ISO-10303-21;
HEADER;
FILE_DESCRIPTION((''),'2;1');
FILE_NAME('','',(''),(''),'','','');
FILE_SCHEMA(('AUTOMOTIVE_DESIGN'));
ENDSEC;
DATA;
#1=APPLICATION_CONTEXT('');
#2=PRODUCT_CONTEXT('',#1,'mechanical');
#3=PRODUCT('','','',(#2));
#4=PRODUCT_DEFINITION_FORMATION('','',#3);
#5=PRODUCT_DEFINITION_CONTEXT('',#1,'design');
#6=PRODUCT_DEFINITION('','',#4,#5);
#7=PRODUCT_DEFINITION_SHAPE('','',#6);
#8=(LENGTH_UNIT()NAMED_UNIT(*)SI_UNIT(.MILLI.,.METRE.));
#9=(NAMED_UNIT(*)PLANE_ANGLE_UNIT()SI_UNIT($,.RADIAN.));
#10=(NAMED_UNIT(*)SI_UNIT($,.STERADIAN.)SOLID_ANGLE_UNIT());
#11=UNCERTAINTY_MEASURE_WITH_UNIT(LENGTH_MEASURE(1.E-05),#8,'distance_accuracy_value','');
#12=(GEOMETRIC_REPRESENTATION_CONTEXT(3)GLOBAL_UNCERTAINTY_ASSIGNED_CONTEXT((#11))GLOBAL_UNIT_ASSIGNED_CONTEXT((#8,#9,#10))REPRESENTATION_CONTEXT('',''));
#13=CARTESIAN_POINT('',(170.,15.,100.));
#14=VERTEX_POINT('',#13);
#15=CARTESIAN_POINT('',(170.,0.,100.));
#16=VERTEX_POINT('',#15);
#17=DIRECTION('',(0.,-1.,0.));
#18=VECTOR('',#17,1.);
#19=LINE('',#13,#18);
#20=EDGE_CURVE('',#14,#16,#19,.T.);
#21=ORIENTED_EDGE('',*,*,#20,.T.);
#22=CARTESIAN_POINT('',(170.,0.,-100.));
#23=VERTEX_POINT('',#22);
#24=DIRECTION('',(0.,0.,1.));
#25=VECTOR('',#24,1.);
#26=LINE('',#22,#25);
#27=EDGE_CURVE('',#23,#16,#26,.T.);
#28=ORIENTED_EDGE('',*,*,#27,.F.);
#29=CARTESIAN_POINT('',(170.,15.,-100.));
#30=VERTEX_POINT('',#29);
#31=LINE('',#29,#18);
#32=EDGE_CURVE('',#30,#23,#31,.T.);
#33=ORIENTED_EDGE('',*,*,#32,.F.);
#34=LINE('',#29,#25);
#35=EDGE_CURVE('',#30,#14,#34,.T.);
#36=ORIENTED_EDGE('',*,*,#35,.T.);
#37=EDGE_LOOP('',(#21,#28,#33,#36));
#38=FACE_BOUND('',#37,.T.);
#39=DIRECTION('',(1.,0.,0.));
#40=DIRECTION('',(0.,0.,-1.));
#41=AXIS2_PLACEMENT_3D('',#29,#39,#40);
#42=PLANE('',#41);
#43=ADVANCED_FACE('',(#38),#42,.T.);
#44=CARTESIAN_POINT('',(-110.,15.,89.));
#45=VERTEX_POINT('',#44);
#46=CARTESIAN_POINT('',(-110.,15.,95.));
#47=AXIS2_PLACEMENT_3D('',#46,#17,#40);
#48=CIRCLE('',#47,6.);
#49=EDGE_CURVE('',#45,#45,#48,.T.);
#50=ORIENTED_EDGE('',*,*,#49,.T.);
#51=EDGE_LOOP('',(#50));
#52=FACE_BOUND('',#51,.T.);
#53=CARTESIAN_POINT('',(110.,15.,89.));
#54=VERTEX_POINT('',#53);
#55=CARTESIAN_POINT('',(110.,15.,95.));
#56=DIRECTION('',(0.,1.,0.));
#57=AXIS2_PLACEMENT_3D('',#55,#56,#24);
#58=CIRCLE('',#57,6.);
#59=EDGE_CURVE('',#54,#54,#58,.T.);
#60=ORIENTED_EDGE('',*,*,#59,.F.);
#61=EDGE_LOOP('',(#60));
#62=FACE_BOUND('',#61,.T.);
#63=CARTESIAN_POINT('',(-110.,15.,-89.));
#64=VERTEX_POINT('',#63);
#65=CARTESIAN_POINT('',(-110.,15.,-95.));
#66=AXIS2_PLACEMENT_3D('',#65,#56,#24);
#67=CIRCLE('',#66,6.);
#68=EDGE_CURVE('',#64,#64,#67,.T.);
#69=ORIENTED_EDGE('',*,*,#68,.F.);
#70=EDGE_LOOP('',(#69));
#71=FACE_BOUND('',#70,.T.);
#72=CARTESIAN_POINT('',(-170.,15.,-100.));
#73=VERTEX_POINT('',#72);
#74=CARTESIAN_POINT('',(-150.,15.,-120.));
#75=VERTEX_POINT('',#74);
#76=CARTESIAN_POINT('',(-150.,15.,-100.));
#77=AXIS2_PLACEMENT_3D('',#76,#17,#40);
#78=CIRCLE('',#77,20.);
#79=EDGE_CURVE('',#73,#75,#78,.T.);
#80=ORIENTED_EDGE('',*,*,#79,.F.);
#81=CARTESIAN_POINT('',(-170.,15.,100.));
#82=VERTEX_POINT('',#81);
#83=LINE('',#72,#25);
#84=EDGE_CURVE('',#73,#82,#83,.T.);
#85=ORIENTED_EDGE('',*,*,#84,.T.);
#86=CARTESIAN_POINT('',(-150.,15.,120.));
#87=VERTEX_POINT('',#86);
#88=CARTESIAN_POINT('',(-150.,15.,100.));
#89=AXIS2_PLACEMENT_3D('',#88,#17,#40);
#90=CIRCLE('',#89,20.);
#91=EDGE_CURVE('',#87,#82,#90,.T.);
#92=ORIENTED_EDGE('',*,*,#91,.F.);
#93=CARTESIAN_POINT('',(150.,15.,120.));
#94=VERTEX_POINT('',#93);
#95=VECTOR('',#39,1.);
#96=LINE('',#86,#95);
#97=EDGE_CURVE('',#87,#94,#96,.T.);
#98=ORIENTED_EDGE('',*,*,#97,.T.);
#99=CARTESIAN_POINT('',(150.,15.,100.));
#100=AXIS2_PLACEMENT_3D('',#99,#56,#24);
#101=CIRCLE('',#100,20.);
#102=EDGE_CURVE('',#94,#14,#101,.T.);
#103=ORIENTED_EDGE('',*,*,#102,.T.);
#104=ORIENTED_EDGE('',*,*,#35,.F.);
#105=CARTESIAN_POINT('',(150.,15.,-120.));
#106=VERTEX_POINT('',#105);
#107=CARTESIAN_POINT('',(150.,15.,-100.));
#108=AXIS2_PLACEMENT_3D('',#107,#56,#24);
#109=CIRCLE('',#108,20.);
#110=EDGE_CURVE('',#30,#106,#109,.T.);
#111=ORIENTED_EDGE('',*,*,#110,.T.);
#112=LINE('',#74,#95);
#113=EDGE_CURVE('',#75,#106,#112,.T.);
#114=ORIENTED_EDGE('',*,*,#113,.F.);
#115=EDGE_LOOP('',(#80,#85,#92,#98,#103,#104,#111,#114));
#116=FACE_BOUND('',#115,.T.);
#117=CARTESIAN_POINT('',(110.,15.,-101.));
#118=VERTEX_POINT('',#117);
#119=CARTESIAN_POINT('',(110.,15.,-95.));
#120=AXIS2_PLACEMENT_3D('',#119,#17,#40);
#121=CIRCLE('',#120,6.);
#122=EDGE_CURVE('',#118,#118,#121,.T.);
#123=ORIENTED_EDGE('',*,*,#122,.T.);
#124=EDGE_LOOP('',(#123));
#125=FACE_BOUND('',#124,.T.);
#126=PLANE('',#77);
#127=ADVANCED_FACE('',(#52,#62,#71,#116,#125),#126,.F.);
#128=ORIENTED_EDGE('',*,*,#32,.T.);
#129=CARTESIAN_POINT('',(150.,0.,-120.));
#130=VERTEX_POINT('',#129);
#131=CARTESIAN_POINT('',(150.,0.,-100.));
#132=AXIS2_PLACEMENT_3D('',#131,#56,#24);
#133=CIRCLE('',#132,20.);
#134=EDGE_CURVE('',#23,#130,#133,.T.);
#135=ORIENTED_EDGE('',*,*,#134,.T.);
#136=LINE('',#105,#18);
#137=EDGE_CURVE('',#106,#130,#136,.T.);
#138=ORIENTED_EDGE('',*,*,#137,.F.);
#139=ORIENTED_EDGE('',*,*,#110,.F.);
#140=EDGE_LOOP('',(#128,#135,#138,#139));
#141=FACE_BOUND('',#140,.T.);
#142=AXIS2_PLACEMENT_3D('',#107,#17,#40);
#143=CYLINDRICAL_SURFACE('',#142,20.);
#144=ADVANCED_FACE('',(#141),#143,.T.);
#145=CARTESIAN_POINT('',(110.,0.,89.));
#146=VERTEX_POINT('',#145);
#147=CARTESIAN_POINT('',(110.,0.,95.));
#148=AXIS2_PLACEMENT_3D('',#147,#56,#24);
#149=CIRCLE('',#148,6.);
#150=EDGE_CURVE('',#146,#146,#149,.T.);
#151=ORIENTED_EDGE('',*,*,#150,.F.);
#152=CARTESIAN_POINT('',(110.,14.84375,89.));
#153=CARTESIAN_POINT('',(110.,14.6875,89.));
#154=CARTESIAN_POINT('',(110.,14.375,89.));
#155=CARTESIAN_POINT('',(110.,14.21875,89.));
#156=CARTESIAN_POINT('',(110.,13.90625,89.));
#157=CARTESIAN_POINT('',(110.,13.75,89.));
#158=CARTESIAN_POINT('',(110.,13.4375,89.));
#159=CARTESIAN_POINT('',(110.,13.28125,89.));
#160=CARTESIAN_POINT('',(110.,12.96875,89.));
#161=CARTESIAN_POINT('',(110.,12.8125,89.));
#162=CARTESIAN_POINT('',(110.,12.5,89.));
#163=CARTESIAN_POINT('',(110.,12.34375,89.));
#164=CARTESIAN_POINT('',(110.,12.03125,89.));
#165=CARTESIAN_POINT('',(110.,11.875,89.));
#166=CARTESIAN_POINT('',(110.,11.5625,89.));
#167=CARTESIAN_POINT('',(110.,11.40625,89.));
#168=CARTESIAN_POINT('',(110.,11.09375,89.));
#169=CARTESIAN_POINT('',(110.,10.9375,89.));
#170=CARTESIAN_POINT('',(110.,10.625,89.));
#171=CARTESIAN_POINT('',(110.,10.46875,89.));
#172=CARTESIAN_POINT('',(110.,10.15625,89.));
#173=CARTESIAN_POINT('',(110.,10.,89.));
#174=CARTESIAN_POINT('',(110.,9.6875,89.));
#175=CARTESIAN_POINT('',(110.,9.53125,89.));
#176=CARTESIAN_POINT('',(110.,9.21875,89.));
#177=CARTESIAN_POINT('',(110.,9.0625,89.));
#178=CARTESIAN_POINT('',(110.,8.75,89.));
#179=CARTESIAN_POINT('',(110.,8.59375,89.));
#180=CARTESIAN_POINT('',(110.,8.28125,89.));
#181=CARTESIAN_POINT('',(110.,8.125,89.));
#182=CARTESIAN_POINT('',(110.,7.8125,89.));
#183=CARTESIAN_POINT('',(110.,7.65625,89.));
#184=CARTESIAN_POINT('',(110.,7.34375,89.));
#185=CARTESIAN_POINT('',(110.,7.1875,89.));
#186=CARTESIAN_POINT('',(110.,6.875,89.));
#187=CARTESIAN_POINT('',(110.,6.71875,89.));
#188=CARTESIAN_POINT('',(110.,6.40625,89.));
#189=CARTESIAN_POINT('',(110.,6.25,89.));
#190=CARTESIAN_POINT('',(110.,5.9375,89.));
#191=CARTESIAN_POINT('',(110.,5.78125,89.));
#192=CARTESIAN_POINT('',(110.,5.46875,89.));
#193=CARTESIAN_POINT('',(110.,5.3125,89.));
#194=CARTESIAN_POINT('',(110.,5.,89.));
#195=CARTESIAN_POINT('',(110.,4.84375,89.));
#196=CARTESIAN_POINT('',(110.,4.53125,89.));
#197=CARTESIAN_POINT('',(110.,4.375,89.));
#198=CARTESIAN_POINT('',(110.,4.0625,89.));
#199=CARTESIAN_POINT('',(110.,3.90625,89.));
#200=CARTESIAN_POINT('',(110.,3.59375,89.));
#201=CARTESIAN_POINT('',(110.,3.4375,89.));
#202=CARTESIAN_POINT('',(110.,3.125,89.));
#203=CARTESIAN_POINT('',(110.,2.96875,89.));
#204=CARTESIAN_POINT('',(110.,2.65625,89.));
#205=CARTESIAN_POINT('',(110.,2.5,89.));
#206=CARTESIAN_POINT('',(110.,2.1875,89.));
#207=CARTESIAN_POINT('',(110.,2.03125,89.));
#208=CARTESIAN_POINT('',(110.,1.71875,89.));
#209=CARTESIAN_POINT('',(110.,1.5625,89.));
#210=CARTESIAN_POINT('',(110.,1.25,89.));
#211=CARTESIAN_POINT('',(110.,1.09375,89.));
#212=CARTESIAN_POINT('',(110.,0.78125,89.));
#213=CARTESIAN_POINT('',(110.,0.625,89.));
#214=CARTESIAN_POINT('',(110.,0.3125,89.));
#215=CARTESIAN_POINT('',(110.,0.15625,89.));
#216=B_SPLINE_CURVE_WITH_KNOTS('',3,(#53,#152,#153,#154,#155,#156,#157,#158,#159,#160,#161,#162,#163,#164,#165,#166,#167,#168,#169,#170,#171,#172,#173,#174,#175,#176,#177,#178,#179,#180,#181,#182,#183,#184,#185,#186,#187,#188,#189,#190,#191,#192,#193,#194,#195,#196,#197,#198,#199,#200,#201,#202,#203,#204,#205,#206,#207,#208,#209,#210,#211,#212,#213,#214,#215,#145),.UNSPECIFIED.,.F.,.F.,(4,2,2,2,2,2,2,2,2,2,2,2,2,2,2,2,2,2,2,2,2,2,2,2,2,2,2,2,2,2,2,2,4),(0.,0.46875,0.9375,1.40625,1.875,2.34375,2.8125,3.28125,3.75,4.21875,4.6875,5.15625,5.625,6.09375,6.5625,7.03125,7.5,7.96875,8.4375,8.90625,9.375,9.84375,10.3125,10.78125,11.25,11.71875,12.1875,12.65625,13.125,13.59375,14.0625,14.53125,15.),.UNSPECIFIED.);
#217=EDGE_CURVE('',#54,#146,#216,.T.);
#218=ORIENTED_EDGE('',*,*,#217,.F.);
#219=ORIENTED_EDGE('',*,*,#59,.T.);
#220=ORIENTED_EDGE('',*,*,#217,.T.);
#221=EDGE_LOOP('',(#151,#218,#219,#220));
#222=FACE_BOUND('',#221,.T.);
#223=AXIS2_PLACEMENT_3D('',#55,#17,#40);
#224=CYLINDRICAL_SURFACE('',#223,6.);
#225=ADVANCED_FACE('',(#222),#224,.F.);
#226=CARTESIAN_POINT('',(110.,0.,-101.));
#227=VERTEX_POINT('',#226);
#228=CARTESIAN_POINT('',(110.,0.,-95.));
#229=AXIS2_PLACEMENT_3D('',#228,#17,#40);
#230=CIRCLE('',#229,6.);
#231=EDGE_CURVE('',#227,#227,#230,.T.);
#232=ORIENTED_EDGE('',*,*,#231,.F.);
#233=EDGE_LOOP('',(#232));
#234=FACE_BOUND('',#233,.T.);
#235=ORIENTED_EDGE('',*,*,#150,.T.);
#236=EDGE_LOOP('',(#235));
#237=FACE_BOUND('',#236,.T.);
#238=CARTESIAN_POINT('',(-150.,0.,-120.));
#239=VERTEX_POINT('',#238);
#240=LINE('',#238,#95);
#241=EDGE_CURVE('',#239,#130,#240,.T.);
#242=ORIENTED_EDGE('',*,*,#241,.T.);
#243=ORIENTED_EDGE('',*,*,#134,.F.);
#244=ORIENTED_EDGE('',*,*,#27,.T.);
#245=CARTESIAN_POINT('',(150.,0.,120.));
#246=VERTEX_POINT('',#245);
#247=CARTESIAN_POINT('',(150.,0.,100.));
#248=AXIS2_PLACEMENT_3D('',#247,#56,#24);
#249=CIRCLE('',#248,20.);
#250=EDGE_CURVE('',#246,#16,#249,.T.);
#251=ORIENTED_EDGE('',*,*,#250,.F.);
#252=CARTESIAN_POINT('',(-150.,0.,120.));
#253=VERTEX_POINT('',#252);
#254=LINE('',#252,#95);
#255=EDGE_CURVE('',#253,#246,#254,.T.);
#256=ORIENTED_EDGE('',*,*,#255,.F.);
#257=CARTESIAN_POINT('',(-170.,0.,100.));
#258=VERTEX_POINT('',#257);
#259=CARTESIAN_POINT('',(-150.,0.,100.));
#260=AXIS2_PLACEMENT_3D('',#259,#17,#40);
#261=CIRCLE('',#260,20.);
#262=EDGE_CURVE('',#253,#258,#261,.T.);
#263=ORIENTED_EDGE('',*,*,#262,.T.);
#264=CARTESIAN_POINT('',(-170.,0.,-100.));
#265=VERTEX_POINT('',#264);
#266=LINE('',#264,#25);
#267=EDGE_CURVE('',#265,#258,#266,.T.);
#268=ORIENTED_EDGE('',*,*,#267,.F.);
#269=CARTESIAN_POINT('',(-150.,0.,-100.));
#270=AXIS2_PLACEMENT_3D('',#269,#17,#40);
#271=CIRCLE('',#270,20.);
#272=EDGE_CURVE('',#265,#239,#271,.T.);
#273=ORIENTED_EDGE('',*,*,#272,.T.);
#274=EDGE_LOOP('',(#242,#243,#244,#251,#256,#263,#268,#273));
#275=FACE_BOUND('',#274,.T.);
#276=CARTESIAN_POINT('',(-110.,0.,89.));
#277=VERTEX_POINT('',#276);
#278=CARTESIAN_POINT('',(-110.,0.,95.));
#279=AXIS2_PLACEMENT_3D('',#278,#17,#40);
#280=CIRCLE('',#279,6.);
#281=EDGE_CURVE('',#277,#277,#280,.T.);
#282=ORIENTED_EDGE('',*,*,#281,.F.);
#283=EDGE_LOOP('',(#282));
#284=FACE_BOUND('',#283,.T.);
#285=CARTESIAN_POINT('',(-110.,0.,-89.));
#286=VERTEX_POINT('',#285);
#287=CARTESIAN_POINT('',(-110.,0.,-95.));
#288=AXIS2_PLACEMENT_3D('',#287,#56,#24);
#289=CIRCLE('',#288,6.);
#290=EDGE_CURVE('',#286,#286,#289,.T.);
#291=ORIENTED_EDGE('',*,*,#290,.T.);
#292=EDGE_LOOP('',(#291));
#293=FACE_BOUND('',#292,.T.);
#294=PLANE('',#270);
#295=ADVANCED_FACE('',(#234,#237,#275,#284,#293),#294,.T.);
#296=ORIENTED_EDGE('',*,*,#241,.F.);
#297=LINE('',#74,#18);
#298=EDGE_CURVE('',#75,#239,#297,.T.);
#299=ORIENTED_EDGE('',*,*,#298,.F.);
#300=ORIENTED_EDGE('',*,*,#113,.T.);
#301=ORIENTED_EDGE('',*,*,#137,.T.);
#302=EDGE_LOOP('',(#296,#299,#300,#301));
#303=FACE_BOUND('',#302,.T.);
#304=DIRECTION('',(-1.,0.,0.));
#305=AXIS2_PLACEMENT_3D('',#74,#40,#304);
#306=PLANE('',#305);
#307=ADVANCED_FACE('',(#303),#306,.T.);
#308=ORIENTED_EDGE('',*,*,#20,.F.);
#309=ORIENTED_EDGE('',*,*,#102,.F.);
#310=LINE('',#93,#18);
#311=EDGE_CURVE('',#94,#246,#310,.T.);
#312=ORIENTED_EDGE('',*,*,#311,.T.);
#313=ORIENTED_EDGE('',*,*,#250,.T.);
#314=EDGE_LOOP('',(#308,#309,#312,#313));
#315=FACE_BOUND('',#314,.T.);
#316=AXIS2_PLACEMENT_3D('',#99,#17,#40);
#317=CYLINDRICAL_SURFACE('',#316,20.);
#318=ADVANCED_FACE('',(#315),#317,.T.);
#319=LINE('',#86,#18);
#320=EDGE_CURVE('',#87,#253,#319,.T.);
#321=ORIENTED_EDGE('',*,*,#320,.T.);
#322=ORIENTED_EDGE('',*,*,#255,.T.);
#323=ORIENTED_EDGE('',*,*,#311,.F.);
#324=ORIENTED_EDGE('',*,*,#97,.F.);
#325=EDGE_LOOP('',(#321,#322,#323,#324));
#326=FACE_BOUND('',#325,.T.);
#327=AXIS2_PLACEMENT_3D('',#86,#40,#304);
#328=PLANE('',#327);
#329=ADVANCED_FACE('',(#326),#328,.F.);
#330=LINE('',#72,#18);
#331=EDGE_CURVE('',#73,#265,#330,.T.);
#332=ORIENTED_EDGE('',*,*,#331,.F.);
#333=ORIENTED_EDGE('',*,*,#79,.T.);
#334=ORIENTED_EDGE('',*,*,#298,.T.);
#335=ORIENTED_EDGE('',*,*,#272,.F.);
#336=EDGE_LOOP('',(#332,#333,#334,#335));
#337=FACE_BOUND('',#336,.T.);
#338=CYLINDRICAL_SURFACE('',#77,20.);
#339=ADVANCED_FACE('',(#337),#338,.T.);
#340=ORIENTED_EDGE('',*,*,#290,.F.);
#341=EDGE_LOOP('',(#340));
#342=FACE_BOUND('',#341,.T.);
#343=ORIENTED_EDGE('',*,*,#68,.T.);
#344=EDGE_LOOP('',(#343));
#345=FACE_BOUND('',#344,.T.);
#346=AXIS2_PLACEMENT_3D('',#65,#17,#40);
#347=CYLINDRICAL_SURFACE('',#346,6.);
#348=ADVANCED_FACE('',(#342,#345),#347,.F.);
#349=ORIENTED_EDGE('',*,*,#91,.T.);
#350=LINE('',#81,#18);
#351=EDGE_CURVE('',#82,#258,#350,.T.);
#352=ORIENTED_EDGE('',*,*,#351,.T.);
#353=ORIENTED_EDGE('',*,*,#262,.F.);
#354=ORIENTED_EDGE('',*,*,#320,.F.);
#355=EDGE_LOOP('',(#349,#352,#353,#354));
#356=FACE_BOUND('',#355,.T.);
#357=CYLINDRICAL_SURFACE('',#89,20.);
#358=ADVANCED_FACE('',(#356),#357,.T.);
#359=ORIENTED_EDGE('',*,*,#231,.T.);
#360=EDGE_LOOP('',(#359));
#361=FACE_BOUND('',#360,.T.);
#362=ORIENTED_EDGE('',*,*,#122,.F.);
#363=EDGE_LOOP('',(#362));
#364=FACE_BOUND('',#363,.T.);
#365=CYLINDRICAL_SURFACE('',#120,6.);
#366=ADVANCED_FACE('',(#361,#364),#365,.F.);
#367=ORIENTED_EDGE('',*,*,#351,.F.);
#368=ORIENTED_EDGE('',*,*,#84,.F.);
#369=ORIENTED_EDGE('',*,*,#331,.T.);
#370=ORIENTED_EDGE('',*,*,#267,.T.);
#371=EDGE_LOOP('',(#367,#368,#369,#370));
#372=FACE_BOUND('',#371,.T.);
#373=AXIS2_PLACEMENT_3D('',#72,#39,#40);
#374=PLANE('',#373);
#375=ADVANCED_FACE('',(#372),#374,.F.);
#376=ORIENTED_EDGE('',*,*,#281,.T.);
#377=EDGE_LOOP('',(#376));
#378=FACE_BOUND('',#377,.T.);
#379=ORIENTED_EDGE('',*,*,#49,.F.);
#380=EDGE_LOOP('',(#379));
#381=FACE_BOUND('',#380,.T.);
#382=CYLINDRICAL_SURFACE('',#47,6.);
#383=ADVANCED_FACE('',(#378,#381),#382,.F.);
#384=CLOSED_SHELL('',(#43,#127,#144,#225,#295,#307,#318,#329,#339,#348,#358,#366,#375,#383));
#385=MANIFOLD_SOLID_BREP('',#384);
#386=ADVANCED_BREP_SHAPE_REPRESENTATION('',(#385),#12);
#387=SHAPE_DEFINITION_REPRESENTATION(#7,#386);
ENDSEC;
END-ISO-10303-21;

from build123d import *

# Parameters (mm, degrees)
EXTRUDE_1_DEPTH      = 15
SKETCH_2_10_R        = 6
CUT_EXTRUDE_10_DEPTH = 15
SKETCH_2_11_R        = 6
CUT_EXTRUDE_11_DEPTH = 15
SKETCH_2_12_R        = 6
CUT_EXTRUDE_12_DEPTH = 15
SKETCH_2_13_R        = 6
CUT_EXTRUDE_13_DEPTH = 15


with BuildPart() as part:
    # 草图2 → 凸台-拉伸1 (new body)
    with BuildSketch(Plane(origin=(0, 0, 0), x_dir=(1, 0, 0), z_dir=(0, 1, 0))):
        with BuildLine():
            Line((-150, 120), (150, 120))
            ThreePointArc((150, 120), (164.142135624, 114.142135624), (170, 100))
            Line((170, 100), (170, -100))
            ThreePointArc((170, -100), (164.142135624, -114.142135624), (150, -120))
            Line((150, -120), (-150, -120))
            ThreePointArc((-150, -120), (-164.142135624, -114.142135624), (-170, -100))
            Line((-170, -100), (-170, 100))
            ThreePointArc((-170, 100), (-164.142135624, 114.142135624), (-150, 120))
        make_face()
    extrude(amount=EXTRUDE_1_DEPTH)

    # 草图2<10> → 切除-拉伸10 (cut)
    with BuildSketch(Plane(origin=(0, 0, 0), x_dir=(1, 0, 0), z_dir=(0, 1, 0))):
        with Locations((-110, -95)):
            Circle(SKETCH_2_10_R)
    extrude(amount=CUT_EXTRUDE_10_DEPTH, mode=Mode.SUBTRACT)

    # 草图2<11> → 切除-拉伸11 (cut)
    with BuildSketch(Plane(origin=(0, 0, 0), x_dir=(1, 0, 0), z_dir=(0, 1, 0))):
        with Locations((110, -95)):
            Circle(SKETCH_2_11_R)
    extrude(amount=CUT_EXTRUDE_11_DEPTH, mode=Mode.SUBTRACT)

    # 草图2<12> → 切除-拉伸12 (cut)
    with BuildSketch(Plane(origin=(0, 0, 0), x_dir=(1, 0, 0), z_dir=(0, 1, 0))):
        with Locations((-110, 95)):
            Circle(SKETCH_2_12_R)
    extrude(amount=CUT_EXTRUDE_12_DEPTH, mode=Mode.SUBTRACT)

    # 草图2<13> → 切除-拉伸13 (cut)
    with BuildSketch(Plane(origin=(0, 0, 0), x_dir=(1, 0, 0), z_dir=(0, 1, 0))):
        with Locations((110, 95)):
            Circle(SKETCH_2_13_R)
    extrude(amount=CUT_EXTRUDE_13_DEPTH, mode=Mode.SUBTRACT)


solid = part.part
